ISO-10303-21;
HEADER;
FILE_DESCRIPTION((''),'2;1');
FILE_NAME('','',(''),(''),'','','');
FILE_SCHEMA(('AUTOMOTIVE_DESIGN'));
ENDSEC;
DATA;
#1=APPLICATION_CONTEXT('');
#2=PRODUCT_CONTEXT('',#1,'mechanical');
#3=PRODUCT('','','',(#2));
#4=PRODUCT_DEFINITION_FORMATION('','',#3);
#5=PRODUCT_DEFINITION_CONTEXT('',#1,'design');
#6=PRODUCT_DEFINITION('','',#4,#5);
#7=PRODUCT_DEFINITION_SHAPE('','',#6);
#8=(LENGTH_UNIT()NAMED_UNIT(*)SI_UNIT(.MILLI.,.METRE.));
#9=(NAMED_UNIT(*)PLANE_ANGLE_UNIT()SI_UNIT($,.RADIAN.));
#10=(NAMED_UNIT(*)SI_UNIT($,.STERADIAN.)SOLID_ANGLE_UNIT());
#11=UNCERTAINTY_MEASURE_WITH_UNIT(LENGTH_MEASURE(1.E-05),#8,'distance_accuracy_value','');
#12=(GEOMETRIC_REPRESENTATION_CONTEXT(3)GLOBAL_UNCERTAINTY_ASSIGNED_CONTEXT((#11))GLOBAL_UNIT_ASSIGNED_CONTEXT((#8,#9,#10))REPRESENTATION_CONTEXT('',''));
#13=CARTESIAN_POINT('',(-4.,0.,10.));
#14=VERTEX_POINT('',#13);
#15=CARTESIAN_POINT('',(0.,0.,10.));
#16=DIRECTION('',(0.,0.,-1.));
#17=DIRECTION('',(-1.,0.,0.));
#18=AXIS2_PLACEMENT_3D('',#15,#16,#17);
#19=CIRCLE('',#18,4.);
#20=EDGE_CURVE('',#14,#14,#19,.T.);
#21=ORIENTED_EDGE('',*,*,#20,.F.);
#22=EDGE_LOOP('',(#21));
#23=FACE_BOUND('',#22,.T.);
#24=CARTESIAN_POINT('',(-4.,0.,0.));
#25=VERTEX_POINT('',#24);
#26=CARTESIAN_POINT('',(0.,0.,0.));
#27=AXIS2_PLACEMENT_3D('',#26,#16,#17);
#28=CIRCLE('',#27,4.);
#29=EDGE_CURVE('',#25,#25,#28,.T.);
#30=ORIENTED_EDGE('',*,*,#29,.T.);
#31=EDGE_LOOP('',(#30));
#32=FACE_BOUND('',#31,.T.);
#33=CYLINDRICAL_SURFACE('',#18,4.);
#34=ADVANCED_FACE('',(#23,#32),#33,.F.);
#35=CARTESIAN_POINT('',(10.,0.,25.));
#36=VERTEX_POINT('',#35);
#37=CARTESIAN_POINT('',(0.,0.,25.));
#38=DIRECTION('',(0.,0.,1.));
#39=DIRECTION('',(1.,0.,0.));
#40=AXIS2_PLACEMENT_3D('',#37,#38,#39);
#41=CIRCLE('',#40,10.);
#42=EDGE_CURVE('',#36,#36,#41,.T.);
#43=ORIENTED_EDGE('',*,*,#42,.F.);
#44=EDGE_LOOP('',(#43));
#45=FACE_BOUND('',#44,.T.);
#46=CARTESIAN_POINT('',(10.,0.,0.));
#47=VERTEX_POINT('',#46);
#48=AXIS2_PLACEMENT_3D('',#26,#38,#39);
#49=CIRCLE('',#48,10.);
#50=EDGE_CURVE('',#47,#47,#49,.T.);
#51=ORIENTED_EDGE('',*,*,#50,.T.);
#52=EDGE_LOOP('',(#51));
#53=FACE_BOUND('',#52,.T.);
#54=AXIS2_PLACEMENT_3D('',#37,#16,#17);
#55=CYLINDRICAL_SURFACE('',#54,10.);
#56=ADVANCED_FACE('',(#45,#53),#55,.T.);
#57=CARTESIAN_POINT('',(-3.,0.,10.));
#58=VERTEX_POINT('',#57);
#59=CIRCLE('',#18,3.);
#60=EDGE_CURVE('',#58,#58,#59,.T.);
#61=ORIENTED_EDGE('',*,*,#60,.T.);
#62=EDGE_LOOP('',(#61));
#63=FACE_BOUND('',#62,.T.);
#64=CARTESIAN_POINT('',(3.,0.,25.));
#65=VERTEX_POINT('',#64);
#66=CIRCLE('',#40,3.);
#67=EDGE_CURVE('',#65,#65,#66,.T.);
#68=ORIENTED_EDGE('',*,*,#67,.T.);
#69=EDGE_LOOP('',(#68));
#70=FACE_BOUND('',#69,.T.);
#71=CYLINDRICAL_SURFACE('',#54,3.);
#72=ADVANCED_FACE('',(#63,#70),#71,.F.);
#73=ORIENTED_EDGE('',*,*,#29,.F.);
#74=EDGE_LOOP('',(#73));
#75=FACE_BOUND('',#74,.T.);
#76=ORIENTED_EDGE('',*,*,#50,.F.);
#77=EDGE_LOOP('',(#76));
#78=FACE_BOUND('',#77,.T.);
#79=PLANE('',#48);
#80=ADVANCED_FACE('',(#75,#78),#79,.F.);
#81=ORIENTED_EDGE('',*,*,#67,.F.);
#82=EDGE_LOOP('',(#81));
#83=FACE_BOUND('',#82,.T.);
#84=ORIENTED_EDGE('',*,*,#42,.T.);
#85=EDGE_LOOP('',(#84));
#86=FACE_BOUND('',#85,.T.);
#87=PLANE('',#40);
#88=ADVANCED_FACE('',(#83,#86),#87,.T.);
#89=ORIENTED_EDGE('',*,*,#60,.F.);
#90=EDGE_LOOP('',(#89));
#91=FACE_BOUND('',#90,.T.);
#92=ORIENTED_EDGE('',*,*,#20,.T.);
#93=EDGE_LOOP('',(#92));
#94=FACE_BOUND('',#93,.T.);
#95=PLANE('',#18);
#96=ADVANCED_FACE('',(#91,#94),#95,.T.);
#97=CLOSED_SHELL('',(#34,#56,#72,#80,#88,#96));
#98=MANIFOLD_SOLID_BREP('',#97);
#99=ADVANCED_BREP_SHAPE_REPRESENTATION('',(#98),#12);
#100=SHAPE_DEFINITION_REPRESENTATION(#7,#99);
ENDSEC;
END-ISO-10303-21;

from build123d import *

# Parameters (mm, degrees)
SKETCH_1_R          = 10
SKETCH_1_R_2        = 3
EXTRUDE_1_DEPTH     = 25
SKETCH_2_R          = 4
CUT_EXTRUDE_1_DEPTH = 10


with BuildPart() as part:
    # 草图1 → 凸台-拉伸1 (new body)
    with BuildSketch(Plane.XY):
        Circle(SKETCH_1_R)
        Circle(SKETCH_1_R_2, mode=Mode.SUBTRACT)
    extrude(amount=EXTRUDE_1_DEPTH)

    # 草图2 → 切除-拉伸1 (cut)
    with BuildSketch(Plane(origin=(0, 0, 0), x_dir=(-1, 0, 0), z_dir=(0, 0, -1))):
        Circle(SKETCH_2_R)
    extrude(amount=-CUT_EXTRUDE_1_DEPTH, mode=Mode.SUBTRACT)


solid = part.part
